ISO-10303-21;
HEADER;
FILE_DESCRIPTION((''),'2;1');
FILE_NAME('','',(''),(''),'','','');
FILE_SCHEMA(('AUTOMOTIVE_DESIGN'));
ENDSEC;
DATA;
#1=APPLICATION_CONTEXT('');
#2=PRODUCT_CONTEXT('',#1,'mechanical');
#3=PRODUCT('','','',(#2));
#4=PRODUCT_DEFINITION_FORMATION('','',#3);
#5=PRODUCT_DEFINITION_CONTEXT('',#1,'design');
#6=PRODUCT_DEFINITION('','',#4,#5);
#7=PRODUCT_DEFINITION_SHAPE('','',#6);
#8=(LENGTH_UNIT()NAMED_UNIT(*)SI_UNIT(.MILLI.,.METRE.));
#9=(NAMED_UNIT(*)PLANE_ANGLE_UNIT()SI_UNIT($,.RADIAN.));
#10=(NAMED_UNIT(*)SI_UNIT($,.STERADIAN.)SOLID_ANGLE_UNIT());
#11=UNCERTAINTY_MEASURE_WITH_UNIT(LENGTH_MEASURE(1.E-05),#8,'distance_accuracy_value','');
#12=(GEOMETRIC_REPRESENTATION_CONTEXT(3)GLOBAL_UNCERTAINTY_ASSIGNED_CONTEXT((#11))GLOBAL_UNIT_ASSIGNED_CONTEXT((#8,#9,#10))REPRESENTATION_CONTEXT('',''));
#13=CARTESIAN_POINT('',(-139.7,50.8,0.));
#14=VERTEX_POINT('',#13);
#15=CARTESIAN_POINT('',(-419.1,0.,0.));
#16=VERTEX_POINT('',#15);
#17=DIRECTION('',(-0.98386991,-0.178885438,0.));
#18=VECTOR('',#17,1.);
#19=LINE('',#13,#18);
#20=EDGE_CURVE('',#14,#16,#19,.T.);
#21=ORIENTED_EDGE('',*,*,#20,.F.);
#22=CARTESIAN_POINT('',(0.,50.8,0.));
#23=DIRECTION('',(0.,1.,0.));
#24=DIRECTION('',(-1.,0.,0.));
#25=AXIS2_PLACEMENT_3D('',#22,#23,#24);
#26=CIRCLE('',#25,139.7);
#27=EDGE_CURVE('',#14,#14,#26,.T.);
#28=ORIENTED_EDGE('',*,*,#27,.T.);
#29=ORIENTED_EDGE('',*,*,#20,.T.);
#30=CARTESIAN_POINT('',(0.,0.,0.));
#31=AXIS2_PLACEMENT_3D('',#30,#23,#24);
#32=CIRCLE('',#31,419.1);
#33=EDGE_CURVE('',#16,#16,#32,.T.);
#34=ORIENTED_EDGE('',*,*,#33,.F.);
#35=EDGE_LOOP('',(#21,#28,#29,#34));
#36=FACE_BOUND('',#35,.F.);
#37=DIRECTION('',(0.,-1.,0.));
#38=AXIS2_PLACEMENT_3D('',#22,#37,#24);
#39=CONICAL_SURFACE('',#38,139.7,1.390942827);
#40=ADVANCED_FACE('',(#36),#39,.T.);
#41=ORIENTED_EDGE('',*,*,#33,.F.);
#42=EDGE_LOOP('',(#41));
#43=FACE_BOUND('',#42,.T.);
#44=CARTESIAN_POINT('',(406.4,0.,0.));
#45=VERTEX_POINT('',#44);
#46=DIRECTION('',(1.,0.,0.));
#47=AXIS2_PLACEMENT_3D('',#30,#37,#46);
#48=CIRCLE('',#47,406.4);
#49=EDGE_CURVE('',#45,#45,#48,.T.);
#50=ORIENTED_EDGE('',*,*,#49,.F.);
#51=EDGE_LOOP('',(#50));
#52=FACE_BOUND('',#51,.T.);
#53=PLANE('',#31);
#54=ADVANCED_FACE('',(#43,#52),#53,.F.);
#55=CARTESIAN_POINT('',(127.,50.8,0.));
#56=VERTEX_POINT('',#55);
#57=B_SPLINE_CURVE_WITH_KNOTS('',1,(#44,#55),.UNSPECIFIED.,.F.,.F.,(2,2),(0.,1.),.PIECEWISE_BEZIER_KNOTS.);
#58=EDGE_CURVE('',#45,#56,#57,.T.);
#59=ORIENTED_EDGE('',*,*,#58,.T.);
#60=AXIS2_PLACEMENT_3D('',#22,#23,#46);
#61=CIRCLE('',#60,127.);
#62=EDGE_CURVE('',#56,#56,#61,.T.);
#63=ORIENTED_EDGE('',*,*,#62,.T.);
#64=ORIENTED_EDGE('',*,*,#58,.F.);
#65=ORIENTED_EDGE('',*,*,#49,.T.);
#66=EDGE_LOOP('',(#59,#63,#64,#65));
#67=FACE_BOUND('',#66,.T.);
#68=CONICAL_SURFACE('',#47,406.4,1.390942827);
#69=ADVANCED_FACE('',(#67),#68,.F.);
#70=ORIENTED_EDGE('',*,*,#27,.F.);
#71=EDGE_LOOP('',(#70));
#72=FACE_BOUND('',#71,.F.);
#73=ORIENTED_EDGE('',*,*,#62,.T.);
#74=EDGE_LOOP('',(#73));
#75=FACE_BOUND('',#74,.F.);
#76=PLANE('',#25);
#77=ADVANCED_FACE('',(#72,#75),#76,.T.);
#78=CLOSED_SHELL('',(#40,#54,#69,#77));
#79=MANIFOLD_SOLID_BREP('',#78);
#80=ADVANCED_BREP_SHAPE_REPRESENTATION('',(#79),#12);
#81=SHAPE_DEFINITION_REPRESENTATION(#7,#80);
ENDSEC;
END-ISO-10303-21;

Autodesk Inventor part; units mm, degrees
ref_plane "YZ Plane" through (0, 0, 0) normal (1, 0, 0) x (0, 1, 0)
ref_plane "XZ Plane" through (0, 0, 0) normal (0, 1, 0) x (-1, 0, 0)
ref_plane "Work Plane1" through (0, 0, 50.8) normal (0, 0, 1) x (1, 0, 0)
sketch "Sketch5" plane through (0, 0, 0) normal (0, 0, 1) x (1, 0, 0)
  line L0 (0, 0) -> (-419.1, 0)
  line L1 (0, 0) -> (0, 50.8)
  line L2 (0, 50.8) -> (-139.7, 50.8)
  line L3 (-139.7, 50.8) -> (-419.1, 0)
  dimension "d26" = 419.1
  dimension "d27" = 50.8
  dimension "d28" = 139.7
revolve "Revolution1" add sketch "Sketch5" angle 360 about axis through (0, 0, 0) along (0, 1, 0)
sketch "Sketch6" plane through (0, 0, 0) normal (0, -1, 0) x (1, 0, 0)
  circle A0 centre (0, 0) radius 406.4
  dimension "d30" = 812.8
sketch "Sketch7" plane through (0, 50.8, 0) normal (0, 1, 0) x (1, 0, 0)
  circle A0 centre (0, 0) radius 127
  dimension "d31" = 254
loft "Loft1" cut profiles "Sketch6", "Sketch7"
properties part number "PropellorGuardTop"
